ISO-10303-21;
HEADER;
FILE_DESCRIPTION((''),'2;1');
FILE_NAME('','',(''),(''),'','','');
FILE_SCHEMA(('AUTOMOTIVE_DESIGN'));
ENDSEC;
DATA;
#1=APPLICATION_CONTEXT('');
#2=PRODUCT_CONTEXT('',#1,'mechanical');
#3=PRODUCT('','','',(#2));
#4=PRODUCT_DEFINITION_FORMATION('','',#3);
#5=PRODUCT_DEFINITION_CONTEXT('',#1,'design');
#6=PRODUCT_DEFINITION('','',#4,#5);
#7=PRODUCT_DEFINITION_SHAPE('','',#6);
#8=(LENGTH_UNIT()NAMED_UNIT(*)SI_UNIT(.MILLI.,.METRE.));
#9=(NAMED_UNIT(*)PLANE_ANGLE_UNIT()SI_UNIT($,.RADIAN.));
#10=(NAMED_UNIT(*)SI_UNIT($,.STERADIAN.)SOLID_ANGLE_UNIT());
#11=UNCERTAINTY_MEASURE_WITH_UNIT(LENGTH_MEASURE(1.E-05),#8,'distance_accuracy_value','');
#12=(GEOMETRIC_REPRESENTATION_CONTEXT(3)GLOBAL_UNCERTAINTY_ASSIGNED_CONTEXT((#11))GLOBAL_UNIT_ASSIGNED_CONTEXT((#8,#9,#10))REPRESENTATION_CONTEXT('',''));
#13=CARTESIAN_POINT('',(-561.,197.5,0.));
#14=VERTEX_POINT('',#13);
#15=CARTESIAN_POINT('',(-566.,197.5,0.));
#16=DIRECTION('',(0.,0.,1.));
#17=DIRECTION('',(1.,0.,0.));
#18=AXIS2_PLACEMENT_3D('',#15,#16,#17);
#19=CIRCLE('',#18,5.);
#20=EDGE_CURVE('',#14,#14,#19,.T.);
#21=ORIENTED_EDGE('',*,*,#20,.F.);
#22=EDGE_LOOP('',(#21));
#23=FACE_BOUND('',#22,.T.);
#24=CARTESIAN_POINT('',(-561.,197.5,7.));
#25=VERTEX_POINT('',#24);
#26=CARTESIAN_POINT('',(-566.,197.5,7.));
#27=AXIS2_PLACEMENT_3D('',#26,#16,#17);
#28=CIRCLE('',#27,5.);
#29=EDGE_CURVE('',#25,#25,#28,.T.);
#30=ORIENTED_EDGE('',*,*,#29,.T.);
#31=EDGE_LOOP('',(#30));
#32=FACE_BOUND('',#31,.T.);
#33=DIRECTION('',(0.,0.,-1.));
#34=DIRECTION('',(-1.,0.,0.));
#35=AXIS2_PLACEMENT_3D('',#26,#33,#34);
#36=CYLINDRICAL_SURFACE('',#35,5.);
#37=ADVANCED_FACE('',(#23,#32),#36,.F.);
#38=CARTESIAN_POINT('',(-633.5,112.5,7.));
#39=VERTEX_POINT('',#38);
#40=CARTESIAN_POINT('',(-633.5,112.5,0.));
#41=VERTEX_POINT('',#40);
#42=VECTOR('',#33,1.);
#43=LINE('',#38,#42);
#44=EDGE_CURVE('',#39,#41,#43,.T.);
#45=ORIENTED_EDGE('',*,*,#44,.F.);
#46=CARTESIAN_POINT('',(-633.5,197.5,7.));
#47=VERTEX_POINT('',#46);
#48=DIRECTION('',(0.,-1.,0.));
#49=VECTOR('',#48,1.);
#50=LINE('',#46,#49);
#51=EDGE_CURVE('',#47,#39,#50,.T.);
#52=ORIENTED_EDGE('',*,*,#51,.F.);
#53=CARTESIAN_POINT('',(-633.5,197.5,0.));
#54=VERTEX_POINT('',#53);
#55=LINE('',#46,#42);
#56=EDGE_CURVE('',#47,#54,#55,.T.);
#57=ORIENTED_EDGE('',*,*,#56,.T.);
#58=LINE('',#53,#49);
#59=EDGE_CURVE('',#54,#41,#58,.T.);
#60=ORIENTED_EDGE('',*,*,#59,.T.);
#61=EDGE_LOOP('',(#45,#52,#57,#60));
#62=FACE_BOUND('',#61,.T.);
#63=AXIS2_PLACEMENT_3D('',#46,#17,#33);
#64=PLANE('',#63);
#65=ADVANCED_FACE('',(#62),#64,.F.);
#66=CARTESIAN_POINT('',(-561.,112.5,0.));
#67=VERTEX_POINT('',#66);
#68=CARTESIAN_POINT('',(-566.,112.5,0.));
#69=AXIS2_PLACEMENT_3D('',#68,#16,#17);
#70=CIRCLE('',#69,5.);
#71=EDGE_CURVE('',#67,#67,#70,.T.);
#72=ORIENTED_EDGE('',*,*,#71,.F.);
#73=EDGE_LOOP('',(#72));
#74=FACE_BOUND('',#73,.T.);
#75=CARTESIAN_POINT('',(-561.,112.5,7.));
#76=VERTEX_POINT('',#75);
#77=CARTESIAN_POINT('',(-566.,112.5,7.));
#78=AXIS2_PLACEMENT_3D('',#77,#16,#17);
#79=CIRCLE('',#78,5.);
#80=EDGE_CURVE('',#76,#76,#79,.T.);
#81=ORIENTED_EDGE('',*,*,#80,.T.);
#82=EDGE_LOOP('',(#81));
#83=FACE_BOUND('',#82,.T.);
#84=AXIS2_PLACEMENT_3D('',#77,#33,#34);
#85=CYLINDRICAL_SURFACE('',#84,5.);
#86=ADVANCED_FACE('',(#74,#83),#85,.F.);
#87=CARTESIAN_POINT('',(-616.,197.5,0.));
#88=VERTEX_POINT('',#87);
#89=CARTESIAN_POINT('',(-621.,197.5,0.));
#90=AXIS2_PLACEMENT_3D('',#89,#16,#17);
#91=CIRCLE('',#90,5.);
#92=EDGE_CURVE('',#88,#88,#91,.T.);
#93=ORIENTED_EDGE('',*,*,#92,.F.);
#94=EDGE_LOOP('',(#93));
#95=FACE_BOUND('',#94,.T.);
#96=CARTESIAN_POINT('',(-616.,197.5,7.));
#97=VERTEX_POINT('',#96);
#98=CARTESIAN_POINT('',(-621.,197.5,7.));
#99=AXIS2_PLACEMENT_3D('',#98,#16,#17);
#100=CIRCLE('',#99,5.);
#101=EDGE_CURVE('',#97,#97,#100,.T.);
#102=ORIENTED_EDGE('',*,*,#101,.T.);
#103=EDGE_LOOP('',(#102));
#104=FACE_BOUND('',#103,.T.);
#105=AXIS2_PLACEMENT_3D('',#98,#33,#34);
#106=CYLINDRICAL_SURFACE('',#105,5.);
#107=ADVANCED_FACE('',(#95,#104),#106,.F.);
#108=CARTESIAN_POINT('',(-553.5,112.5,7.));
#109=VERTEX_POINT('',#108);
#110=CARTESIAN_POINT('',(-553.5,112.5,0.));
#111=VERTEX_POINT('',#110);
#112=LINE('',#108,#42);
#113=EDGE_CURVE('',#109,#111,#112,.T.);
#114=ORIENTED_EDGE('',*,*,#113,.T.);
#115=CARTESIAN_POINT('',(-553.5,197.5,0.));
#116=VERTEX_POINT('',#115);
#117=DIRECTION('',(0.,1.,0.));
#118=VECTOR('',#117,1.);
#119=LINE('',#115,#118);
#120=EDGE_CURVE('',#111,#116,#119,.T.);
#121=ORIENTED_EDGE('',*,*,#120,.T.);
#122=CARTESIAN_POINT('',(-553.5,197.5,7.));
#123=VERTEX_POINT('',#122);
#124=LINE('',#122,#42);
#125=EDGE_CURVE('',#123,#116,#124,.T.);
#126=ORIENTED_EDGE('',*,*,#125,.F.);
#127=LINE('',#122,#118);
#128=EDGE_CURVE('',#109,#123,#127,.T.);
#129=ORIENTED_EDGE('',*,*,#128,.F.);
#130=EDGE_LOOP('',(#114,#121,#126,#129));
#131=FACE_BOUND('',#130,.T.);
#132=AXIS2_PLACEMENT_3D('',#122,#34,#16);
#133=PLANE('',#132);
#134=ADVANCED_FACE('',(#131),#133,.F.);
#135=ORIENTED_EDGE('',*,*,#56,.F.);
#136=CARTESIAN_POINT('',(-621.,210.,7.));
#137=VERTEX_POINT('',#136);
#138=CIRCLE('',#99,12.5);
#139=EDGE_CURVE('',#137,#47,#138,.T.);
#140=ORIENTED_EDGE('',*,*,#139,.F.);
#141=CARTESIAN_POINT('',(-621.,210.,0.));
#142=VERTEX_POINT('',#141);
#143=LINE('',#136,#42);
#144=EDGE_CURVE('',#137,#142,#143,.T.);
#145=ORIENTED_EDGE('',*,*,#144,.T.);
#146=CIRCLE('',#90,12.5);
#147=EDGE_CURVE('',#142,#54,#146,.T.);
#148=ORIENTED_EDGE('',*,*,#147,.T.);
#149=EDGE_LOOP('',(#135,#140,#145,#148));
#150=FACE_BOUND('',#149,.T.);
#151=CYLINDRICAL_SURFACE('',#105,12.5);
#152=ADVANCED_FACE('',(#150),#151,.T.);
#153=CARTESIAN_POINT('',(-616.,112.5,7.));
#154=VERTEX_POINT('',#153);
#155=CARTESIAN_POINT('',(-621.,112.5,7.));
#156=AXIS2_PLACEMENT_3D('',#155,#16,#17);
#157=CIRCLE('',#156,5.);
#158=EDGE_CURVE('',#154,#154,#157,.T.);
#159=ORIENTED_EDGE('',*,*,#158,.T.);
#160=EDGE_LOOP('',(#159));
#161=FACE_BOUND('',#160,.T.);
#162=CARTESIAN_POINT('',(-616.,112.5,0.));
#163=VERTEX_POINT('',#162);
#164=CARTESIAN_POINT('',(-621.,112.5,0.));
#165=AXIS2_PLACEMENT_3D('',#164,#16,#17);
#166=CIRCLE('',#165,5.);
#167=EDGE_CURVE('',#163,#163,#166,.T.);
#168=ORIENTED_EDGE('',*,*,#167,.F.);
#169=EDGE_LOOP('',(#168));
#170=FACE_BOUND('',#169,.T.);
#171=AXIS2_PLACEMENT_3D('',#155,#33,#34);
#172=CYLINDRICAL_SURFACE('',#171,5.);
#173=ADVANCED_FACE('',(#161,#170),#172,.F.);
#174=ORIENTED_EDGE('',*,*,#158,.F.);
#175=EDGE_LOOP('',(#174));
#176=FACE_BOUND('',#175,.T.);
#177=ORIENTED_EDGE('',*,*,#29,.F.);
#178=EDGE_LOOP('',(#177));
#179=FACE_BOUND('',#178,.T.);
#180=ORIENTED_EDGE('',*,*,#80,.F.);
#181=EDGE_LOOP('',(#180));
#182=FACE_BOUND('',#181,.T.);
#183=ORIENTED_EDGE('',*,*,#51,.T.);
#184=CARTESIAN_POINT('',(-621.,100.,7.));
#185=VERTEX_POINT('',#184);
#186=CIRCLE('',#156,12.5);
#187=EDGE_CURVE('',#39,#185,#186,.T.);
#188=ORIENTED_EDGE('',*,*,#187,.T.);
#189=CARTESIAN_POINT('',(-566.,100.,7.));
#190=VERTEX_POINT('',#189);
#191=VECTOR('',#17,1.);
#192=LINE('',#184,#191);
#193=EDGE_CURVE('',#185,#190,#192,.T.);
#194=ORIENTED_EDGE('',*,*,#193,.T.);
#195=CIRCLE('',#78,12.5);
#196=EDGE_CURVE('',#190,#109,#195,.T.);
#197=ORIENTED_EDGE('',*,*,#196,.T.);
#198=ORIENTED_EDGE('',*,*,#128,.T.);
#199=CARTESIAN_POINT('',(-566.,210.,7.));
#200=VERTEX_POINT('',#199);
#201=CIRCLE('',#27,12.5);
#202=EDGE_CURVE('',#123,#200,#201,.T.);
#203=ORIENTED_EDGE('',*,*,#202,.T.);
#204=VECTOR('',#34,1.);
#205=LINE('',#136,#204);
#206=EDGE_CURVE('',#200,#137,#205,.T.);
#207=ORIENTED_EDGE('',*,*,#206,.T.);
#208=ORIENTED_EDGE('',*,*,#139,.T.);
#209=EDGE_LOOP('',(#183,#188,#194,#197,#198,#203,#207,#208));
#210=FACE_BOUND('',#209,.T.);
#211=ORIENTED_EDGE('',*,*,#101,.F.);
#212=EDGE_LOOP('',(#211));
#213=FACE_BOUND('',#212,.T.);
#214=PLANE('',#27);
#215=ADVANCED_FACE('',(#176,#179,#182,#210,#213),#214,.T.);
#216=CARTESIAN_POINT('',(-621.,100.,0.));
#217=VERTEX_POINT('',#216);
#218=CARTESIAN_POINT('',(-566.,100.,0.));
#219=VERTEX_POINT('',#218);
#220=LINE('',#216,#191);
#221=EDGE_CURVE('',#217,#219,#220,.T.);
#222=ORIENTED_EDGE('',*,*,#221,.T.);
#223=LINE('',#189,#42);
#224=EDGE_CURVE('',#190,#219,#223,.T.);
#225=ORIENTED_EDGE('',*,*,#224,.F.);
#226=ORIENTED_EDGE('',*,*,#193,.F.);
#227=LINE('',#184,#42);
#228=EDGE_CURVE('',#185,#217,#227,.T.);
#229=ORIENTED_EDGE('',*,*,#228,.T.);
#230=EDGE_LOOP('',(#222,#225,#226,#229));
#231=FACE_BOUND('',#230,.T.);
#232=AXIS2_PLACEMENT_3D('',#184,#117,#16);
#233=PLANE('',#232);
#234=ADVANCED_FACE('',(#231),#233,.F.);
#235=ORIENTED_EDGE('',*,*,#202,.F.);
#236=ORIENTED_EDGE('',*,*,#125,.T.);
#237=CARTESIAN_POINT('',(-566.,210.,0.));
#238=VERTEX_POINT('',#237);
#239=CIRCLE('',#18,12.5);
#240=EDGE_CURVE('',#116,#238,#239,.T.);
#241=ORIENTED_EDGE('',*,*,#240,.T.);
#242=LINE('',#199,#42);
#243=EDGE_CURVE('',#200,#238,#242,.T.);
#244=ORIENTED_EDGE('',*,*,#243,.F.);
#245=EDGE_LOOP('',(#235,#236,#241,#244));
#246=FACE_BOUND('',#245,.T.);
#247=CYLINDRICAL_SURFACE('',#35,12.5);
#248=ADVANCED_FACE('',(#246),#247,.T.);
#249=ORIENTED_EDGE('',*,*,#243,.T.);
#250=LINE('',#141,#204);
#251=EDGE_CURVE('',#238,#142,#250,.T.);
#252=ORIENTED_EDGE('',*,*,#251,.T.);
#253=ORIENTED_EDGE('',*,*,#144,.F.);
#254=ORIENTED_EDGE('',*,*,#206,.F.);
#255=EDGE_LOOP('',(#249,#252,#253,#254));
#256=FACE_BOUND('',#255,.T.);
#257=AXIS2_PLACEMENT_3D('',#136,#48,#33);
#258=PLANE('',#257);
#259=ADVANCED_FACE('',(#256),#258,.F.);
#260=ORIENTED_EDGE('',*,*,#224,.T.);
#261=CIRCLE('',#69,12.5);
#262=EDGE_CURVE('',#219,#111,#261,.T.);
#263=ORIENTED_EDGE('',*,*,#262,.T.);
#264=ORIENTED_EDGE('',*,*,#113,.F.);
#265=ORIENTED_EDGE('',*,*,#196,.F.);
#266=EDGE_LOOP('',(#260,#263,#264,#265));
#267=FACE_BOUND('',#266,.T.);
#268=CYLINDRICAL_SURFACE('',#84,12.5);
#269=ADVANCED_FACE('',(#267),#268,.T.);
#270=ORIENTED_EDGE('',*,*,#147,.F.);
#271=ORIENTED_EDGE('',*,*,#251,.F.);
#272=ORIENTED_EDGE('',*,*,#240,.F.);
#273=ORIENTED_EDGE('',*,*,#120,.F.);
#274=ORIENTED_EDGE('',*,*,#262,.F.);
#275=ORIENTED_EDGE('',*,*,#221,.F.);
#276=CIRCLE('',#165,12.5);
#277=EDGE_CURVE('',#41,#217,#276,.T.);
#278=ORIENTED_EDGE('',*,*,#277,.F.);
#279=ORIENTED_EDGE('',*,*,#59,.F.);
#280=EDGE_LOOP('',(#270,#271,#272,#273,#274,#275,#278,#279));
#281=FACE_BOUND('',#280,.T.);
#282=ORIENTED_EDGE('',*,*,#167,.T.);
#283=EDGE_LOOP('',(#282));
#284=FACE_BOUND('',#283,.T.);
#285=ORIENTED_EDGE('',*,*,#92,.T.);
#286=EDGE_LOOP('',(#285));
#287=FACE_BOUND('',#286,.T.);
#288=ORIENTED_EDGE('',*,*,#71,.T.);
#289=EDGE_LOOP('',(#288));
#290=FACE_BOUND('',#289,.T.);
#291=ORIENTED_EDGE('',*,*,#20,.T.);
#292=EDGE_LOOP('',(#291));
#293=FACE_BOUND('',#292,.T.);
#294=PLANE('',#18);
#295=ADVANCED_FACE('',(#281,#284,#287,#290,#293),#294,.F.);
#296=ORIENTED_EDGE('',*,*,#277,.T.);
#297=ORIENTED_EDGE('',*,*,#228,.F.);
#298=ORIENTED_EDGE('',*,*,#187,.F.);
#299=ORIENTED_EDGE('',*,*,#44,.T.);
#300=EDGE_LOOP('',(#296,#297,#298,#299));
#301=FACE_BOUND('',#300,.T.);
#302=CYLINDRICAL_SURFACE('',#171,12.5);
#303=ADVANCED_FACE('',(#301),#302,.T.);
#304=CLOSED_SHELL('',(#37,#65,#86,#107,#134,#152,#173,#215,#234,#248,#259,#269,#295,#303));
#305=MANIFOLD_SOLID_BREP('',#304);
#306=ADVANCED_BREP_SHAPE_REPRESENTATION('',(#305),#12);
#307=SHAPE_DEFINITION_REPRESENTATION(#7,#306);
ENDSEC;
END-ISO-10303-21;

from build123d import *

# Parameters (mm, degrees)
ESQUISSE2_R      = 5
EXTRUSION1_DEPTH = 7


with BuildPart() as part:
    # Esquisse2 → Extrusion1 (new body)
    with BuildSketch(Plane.XY):
        with BuildLine():
            Line((-621, 210), (-566, 210))
            ThreePointArc((-566, 210), (-557.161165235, 206.338834765), (-553.5, 197.5))
            Line((-553.5, 197.5), (-553.5, 112.5))
            ThreePointArc((-553.5, 112.5), (-557.161165235, 103.661165235), (-566, 100))
            Line((-566, 100), (-621, 100))
            ThreePointArc((-621, 100), (-629.838834765, 103.661165235), (-633.5, 112.5))
            Line((-633.5, 112.5), (-633.5, 197.5))
            ThreePointArc((-633.5, 197.5), (-629.838834765, 206.338834765), (-621, 210))
        make_face()
        with Locations((-621, 197.5)):
            Circle(ESQUISSE2_R, mode=Mode.SUBTRACT)
        with Locations((-566, 197.5)):
            Circle(ESQUISSE2_R, mode=Mode.SUBTRACT)
        with Locations((-566, 112.5)):
            Circle(ESQUISSE2_R, mode=Mode.SUBTRACT)
        with Locations((-621, 112.5)):
            Circle(ESQUISSE2_R, mode=Mode.SUBTRACT)
    extrude(amount=EXTRUSION1_DEPTH)


solid = part.part
